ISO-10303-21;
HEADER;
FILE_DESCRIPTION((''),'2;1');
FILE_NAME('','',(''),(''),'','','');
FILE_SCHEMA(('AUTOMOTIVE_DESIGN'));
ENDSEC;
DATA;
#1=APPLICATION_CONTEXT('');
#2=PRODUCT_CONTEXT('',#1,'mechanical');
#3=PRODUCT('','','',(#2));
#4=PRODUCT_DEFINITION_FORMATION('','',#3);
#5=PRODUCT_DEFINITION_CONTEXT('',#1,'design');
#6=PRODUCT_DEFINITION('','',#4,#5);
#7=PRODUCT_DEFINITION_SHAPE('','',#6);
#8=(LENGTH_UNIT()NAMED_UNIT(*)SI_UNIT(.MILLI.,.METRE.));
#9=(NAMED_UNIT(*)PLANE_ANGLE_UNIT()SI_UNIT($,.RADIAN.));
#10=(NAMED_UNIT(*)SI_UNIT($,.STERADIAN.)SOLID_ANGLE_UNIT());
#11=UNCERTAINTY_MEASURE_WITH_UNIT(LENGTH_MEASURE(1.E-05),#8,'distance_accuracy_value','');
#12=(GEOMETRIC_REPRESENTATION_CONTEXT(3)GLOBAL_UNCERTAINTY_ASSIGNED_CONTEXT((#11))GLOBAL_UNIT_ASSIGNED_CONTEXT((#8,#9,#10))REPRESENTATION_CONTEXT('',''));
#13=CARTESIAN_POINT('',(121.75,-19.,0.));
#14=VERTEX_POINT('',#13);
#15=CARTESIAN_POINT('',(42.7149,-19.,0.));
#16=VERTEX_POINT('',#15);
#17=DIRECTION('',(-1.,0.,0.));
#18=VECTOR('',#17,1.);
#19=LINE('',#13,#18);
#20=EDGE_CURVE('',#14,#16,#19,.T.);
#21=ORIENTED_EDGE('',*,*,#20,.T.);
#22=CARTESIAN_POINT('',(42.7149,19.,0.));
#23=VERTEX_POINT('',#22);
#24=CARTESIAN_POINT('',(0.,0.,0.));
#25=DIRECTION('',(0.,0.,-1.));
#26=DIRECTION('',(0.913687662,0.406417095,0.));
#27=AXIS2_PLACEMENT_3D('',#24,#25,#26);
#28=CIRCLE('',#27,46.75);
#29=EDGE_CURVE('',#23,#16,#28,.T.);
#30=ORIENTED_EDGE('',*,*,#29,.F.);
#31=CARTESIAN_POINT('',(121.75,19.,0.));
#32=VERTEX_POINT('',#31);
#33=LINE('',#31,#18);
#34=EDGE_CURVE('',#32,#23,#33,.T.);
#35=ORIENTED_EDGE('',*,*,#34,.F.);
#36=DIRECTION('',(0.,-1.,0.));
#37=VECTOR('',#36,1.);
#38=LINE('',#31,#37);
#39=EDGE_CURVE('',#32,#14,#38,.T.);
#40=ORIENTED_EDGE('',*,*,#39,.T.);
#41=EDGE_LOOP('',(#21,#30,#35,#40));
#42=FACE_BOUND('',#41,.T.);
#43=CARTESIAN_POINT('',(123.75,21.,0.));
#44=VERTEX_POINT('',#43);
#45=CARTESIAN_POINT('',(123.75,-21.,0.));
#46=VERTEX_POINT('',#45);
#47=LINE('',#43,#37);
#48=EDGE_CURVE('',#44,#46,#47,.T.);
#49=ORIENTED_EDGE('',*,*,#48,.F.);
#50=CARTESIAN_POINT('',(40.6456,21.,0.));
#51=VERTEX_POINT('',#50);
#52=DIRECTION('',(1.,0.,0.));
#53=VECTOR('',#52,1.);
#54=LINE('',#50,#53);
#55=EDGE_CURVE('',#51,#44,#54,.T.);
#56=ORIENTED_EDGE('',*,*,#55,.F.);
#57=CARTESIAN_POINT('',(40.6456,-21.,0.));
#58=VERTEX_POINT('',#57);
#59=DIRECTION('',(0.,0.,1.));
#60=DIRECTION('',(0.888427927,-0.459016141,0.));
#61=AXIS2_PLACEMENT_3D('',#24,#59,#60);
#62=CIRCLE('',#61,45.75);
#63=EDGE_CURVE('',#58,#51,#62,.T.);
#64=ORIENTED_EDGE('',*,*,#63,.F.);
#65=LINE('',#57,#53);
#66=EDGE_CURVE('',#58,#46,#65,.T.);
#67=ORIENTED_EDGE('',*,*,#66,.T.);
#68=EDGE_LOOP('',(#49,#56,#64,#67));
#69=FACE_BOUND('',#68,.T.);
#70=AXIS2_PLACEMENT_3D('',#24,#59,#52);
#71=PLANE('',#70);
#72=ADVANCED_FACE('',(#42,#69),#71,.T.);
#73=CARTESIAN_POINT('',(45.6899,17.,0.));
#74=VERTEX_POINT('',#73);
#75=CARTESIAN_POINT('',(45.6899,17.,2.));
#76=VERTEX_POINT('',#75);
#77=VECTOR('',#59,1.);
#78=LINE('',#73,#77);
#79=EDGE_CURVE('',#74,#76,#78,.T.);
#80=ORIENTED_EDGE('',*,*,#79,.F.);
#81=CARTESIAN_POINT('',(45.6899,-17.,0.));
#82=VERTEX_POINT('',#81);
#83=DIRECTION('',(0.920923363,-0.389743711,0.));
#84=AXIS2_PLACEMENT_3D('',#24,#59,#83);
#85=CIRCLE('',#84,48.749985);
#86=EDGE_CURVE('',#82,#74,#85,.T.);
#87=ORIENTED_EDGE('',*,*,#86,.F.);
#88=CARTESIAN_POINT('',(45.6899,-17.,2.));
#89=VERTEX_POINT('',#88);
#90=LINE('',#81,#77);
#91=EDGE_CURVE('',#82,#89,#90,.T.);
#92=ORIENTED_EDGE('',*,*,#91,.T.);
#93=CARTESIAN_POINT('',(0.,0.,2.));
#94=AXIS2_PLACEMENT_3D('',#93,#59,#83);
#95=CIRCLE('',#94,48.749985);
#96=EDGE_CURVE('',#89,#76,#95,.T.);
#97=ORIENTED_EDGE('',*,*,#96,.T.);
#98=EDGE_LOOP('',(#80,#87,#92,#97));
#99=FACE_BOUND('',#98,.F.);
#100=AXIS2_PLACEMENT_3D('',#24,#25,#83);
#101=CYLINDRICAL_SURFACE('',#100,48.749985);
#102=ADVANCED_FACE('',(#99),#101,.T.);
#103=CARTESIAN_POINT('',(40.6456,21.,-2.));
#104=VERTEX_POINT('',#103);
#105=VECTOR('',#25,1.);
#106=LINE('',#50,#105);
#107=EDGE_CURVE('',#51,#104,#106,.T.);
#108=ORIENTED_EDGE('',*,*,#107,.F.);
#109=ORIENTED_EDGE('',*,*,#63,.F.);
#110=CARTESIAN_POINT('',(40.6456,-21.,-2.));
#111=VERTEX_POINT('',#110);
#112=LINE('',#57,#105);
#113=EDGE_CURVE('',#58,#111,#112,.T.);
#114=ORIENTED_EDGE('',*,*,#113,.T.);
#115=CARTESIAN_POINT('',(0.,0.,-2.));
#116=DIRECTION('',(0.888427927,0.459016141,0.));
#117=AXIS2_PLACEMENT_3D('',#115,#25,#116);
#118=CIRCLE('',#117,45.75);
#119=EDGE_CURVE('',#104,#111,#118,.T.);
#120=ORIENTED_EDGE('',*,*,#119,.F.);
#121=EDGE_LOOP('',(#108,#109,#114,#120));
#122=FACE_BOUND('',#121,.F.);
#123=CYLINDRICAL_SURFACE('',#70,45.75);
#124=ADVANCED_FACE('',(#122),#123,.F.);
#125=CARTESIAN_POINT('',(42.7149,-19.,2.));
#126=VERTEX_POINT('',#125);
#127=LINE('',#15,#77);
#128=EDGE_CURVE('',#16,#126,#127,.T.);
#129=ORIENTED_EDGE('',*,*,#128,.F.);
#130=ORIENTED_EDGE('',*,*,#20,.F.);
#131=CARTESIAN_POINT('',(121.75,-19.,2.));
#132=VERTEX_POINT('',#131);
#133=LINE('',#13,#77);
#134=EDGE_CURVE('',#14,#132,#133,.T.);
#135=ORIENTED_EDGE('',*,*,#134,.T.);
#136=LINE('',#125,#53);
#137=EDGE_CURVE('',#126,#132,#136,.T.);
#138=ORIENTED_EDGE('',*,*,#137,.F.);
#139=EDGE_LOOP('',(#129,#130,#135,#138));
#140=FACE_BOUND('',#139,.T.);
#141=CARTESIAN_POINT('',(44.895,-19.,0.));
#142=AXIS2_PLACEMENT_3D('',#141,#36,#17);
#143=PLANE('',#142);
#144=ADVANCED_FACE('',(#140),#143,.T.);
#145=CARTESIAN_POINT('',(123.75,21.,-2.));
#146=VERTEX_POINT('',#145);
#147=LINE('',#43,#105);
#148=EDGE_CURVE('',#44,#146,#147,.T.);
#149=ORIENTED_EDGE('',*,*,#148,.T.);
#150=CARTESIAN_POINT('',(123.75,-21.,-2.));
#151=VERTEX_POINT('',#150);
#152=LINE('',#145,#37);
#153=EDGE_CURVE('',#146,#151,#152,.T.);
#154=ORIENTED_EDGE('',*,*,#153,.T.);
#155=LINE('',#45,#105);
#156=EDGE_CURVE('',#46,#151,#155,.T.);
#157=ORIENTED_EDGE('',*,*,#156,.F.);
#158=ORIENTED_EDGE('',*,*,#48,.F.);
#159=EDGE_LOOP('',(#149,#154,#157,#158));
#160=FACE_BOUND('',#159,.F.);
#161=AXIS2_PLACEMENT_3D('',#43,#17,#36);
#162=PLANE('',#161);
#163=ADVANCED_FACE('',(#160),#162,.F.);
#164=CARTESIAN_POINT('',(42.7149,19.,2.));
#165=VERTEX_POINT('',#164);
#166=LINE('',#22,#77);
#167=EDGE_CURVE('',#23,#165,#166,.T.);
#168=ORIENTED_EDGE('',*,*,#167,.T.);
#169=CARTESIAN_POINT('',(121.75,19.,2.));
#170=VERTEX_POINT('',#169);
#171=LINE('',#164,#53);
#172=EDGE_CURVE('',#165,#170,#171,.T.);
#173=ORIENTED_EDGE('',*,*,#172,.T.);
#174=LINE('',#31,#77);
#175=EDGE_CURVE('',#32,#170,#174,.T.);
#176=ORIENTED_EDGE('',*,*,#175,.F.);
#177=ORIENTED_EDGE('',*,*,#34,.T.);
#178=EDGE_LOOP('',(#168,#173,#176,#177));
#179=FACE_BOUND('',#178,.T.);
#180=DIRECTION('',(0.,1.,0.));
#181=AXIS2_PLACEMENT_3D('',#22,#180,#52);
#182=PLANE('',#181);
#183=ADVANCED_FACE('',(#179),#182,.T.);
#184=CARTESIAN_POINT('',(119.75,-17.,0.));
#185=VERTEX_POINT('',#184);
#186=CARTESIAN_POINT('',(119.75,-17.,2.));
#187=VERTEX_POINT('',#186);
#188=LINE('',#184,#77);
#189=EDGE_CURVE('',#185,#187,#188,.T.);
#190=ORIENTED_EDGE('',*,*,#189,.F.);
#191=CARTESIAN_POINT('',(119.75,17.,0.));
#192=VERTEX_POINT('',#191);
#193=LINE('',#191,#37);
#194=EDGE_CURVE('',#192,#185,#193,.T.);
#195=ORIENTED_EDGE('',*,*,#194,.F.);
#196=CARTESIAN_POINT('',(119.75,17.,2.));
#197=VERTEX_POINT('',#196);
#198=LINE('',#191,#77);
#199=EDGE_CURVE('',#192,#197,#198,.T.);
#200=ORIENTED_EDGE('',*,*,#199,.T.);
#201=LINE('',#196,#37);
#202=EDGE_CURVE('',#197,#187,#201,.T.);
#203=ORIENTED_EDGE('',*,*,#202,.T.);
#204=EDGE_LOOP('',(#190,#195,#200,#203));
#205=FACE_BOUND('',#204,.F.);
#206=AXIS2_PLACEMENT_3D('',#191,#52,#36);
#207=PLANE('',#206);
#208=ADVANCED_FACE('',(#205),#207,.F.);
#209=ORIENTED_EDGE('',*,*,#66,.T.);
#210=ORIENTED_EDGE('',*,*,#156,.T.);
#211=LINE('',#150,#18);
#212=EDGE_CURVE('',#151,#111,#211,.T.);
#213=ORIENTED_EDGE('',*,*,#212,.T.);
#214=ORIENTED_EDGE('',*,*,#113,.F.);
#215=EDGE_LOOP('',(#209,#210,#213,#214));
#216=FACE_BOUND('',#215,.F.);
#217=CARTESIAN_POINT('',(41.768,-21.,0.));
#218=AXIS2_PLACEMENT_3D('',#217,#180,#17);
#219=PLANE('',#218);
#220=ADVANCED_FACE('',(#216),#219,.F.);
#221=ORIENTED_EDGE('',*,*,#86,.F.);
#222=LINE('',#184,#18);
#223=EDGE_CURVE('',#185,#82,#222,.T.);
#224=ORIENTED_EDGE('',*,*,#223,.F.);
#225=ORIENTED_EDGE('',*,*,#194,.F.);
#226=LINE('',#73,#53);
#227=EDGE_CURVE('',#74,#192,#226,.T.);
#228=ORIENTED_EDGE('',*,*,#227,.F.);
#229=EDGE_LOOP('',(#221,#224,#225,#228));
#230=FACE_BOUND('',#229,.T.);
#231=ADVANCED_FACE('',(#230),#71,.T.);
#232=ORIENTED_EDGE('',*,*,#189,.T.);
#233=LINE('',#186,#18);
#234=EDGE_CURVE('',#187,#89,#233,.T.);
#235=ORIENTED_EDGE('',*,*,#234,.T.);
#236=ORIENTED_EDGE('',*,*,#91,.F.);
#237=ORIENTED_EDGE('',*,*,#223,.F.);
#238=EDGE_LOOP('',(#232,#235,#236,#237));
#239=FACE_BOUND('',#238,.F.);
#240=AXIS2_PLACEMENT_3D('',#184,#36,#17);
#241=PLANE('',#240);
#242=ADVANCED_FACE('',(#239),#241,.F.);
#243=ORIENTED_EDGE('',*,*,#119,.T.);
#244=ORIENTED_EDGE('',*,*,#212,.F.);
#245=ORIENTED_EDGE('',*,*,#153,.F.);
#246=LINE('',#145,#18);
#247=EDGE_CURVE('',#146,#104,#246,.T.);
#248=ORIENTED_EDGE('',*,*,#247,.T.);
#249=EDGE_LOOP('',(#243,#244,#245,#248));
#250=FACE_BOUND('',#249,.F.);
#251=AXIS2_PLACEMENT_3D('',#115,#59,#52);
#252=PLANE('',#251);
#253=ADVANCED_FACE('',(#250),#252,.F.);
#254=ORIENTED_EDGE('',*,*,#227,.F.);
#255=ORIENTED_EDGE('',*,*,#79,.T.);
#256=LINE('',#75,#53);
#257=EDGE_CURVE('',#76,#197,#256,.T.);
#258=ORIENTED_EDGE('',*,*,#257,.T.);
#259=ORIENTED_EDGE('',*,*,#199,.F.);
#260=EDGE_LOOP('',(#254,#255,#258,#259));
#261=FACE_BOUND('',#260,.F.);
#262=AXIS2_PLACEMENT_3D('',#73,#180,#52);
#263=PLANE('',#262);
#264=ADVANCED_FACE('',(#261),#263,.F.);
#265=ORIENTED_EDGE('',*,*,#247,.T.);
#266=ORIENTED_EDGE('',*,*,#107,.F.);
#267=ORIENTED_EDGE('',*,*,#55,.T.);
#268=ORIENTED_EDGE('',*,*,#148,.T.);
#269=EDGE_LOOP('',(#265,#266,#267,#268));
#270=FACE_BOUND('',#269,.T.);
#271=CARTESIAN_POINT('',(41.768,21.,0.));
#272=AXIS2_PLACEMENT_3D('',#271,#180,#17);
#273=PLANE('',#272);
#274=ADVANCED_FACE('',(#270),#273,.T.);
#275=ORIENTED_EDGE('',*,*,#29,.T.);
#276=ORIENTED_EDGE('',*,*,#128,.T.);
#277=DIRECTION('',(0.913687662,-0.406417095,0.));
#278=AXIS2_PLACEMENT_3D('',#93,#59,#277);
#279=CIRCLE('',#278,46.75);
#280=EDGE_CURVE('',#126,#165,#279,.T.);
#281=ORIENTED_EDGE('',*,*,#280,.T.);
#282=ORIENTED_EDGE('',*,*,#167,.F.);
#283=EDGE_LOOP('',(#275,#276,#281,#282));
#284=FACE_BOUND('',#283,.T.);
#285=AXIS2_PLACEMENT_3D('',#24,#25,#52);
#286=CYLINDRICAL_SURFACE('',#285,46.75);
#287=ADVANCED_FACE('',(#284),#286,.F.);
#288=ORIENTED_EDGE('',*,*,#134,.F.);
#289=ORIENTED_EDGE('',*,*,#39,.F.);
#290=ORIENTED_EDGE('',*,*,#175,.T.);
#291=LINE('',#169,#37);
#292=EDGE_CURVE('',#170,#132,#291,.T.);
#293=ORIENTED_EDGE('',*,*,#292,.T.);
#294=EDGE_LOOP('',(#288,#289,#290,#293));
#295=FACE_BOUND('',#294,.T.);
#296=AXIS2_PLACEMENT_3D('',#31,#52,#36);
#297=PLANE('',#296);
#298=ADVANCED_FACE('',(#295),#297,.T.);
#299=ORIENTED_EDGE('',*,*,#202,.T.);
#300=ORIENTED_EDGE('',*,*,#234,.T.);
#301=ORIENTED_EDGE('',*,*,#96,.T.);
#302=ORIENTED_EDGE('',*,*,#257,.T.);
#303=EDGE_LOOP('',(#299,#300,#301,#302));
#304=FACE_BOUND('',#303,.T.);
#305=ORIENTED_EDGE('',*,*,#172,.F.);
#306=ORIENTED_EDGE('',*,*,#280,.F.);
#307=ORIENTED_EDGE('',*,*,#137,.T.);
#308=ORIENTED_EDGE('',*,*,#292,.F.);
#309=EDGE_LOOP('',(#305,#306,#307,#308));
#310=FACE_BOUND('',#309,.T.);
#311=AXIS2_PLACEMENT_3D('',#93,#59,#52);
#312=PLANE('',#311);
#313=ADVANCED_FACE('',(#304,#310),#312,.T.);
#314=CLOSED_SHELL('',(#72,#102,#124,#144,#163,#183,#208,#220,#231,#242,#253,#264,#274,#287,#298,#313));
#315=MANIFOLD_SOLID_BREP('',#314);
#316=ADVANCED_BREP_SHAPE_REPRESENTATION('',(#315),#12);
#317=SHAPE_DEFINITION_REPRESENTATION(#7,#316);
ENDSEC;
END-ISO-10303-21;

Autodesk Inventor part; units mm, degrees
ref_plane "YZ Plane" through (0, 0, 0) normal (1, 0, 0) x (0, 1, 0)
ref_plane "XZ Plane" through (0, 0, 0) normal (0, 1, 0) x (-1, 0, 0)
ref_plane "XY Plane" through (0, 0, 0) normal (0, 0, 1) x (1, 0, 0)
sketch "Sketch1" plane through (0, 0, 0) normal (0, 0, 1) x (1, 0, 0)
  circle A0 centre (0, 0) radius 45.75
  circle A1 centre (0, 0) radius 46.75
  line L0 (45.75, -0.0157) -> (46.75, -0.0157) construction
  line L1 (42.7149, 19) -> (121.75, 19)
  line L2 (121.75, 19) -> (121.75, -19)
  line L3 (121.75, -19) -> (42.7149, -19)
  line L4 (41.768, 21) -> (123.75, 21)
  line L5 (123.75, 21) -> (123.75, -21)
  line L6 (123.75, -21) -> (41.768, -21)
  line L7 (82.759, 21) -> (82.759, 19) construction
  line L8 (121.75, 0) -> (123.75, 0) construction
  line L9 (98.0367, -19) -> (98.0367, -21) construction
  line L10 (0, 0) -> (121.75, 0) construction
  line L11 (41.768, 21) -> (40.6456, 21)
  line L12 (41.768, -21) -> (40.6456, -21)
  line L13 (45.6899, 17) -> (119.75, 17)
  line L14 (119.75, 17) -> (119.75, -17)
  arc A2 (44.895, -19) -> (44.895, 19) centre (0, 0) ccw
  line L15 (119.75, -17) -> (45.6899, -17)
  dimension "d0" = 91.5
  dimension "d2" = 1
  dimension "d3" = 75
  dimension "d4" = 38
  dimension "d5" = 2
  dimension "d62" = 2
  dimension "d63" = 2
extrude "Extrusion13" add sketch "Sketch1" against normal blind 2 contours A0 L11 A1 L12 | L4 L5 L6 A1 L3 L2 L1 | L1 A2 L3 A1 | L1 L2 L3 A2 L15 L14 L13 | L13 L14 L15 A2 picked at (42.2726, -18.1004)
extrude "Extrusion14" add sketch "Sketch1" along normal blind 2 contours L1 A2 L3 A1 | L1 L2 L3 A2 L15 L14 L13
properties part number "Pump lid MM0312"
